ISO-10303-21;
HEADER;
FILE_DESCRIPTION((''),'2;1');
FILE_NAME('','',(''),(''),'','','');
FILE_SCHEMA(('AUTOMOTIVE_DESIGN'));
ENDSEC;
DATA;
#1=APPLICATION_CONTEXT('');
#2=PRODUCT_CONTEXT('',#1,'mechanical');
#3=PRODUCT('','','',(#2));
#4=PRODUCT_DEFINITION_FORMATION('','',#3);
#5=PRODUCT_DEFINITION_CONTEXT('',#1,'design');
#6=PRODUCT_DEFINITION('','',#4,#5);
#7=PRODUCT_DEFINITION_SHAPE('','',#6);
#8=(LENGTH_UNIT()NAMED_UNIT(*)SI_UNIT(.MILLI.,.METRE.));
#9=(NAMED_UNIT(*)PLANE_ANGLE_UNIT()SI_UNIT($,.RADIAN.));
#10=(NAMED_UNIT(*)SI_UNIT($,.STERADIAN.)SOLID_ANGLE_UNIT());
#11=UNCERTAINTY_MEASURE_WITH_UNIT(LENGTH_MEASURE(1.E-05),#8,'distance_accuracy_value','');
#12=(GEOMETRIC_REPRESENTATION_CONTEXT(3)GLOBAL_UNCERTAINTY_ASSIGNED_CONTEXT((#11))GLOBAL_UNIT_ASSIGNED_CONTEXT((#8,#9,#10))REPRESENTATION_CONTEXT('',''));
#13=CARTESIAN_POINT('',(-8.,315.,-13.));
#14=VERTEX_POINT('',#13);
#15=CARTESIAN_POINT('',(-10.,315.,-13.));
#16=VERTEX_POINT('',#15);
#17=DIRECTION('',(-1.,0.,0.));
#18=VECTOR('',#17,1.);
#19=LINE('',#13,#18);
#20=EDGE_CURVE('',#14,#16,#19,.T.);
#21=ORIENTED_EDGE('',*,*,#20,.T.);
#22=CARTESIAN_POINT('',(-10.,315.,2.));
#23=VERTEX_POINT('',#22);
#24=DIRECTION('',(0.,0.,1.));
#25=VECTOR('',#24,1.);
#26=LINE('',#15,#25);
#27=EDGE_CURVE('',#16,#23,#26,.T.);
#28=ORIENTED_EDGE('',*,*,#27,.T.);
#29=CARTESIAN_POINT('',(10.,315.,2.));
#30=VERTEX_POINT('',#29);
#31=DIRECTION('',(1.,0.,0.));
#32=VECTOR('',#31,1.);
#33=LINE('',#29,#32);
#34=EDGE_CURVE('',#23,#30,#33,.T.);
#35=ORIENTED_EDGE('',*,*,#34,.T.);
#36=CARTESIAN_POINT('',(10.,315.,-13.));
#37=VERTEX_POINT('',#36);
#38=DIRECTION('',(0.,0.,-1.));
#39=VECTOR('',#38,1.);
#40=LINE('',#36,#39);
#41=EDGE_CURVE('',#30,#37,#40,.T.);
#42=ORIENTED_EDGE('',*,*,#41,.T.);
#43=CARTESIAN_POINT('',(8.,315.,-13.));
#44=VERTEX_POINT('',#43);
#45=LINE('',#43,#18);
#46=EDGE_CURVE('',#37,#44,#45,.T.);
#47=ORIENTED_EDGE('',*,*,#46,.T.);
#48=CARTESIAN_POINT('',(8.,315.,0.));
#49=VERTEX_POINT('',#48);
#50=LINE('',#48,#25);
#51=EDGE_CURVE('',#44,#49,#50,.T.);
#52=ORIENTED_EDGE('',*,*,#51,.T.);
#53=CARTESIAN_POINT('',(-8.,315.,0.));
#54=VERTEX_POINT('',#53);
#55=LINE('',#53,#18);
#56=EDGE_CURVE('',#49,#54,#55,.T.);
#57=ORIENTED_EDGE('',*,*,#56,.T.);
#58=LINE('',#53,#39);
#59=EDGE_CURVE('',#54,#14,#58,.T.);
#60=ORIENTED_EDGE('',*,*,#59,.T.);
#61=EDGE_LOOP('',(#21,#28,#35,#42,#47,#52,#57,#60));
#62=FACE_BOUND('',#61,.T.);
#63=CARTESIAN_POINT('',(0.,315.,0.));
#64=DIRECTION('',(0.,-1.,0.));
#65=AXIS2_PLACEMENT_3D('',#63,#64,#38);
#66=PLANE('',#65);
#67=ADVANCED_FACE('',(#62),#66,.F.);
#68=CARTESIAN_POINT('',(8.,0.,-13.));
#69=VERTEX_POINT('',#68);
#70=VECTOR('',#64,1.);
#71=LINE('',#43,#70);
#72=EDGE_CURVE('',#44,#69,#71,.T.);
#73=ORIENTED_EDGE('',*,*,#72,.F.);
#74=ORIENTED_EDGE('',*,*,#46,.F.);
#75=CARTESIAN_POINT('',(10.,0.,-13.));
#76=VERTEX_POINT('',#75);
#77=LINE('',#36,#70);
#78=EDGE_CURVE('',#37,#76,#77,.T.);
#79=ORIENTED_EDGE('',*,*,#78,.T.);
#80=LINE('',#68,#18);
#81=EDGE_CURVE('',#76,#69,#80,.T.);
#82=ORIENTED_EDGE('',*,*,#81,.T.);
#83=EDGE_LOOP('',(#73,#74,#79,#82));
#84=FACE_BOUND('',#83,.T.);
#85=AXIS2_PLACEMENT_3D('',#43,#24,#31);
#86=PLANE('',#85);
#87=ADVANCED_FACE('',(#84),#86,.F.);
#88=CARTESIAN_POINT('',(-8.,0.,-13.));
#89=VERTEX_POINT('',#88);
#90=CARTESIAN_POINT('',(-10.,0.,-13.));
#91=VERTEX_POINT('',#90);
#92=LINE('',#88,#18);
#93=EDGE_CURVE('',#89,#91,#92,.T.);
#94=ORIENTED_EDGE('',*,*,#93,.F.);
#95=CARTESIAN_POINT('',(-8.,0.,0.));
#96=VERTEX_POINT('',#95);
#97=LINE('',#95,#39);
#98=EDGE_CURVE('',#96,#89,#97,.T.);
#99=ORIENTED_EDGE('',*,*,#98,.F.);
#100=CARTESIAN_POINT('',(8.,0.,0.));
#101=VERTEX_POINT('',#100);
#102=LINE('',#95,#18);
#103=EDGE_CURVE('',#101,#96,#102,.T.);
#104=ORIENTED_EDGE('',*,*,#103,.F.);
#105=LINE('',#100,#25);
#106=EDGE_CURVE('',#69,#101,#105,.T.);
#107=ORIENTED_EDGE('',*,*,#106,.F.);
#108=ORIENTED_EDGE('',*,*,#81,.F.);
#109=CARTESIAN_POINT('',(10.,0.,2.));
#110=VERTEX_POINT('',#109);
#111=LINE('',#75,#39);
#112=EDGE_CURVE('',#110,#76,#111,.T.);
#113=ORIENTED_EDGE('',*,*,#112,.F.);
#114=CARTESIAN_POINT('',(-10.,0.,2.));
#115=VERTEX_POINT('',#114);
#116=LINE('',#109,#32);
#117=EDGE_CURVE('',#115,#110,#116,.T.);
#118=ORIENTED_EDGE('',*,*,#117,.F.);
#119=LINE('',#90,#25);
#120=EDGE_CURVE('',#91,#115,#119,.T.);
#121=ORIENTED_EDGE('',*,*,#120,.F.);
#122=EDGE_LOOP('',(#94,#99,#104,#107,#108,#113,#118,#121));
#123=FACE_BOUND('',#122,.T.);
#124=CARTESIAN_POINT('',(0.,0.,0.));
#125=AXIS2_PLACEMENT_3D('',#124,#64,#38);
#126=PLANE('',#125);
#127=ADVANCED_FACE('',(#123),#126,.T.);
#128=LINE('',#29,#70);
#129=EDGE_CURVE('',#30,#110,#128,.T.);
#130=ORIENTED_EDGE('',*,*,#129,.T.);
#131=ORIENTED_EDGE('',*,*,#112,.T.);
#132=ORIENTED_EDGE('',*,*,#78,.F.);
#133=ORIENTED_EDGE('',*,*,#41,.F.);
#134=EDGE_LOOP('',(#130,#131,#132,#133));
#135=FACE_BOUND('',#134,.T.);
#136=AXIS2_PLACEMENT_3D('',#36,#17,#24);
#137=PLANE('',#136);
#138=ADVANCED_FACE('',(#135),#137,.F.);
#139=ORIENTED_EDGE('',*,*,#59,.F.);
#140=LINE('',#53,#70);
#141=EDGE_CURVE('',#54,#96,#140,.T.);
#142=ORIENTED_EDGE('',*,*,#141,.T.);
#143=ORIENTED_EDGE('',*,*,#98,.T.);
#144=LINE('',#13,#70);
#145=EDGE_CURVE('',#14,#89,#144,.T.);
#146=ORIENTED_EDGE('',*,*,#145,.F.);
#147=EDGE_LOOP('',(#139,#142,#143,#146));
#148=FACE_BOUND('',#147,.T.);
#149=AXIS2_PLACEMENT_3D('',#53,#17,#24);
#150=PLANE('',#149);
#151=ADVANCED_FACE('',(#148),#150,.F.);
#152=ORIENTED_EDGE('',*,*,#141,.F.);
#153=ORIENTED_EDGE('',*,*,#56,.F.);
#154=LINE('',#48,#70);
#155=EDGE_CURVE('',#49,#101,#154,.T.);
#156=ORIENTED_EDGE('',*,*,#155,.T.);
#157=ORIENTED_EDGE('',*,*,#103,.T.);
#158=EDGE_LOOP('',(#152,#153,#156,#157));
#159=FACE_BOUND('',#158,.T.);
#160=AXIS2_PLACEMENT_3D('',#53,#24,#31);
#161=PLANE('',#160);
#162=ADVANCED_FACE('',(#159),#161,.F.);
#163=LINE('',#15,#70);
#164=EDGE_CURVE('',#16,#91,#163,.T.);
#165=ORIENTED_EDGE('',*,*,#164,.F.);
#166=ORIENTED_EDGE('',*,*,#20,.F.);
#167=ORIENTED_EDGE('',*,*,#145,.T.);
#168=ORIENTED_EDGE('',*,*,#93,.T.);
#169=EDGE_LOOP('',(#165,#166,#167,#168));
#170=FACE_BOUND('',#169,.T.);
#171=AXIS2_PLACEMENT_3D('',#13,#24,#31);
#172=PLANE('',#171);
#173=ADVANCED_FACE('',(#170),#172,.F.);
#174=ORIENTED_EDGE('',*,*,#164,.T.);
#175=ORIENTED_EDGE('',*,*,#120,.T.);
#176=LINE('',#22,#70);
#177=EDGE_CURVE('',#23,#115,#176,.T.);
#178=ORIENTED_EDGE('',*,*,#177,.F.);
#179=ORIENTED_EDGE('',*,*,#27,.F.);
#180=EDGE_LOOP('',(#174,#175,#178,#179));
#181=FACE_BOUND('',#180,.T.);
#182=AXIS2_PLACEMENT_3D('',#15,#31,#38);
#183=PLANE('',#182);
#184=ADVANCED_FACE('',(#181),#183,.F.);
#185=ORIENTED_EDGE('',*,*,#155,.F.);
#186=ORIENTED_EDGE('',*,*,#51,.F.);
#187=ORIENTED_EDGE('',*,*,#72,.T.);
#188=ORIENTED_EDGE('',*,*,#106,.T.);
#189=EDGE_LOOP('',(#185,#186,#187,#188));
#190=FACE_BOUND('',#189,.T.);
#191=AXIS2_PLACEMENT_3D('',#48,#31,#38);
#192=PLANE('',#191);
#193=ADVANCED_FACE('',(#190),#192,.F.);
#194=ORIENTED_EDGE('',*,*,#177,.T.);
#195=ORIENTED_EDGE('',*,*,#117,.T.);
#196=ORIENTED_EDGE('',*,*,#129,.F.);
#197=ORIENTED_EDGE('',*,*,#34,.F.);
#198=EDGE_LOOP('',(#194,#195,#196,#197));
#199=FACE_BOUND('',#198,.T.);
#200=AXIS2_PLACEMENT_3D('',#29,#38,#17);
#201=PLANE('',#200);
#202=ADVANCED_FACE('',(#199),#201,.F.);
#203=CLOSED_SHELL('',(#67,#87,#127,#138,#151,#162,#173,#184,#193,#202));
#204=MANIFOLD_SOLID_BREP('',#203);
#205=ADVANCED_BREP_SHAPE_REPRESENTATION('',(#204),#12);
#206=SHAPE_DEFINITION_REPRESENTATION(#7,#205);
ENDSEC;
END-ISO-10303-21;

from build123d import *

# Parameters (mm, degrees)
EXTRUDE_1_DEPTH = 315


with BuildPart() as part:
    # Эскиз1 → Бобышка-Вытянуть1 (new body)
    with BuildSketch(Plane(origin=(0, 0, 0), x_dir=(1, 0, 0), z_dir=(0, 1, 0))):
        Polygon((-8, 0), (8, 0), (8, 13), (10, 13), (10, -2), (-10, -2), (-10, 13), (-8, 13), align=None)
    extrude(amount=EXTRUDE_1_DEPTH)


solid = part.part
